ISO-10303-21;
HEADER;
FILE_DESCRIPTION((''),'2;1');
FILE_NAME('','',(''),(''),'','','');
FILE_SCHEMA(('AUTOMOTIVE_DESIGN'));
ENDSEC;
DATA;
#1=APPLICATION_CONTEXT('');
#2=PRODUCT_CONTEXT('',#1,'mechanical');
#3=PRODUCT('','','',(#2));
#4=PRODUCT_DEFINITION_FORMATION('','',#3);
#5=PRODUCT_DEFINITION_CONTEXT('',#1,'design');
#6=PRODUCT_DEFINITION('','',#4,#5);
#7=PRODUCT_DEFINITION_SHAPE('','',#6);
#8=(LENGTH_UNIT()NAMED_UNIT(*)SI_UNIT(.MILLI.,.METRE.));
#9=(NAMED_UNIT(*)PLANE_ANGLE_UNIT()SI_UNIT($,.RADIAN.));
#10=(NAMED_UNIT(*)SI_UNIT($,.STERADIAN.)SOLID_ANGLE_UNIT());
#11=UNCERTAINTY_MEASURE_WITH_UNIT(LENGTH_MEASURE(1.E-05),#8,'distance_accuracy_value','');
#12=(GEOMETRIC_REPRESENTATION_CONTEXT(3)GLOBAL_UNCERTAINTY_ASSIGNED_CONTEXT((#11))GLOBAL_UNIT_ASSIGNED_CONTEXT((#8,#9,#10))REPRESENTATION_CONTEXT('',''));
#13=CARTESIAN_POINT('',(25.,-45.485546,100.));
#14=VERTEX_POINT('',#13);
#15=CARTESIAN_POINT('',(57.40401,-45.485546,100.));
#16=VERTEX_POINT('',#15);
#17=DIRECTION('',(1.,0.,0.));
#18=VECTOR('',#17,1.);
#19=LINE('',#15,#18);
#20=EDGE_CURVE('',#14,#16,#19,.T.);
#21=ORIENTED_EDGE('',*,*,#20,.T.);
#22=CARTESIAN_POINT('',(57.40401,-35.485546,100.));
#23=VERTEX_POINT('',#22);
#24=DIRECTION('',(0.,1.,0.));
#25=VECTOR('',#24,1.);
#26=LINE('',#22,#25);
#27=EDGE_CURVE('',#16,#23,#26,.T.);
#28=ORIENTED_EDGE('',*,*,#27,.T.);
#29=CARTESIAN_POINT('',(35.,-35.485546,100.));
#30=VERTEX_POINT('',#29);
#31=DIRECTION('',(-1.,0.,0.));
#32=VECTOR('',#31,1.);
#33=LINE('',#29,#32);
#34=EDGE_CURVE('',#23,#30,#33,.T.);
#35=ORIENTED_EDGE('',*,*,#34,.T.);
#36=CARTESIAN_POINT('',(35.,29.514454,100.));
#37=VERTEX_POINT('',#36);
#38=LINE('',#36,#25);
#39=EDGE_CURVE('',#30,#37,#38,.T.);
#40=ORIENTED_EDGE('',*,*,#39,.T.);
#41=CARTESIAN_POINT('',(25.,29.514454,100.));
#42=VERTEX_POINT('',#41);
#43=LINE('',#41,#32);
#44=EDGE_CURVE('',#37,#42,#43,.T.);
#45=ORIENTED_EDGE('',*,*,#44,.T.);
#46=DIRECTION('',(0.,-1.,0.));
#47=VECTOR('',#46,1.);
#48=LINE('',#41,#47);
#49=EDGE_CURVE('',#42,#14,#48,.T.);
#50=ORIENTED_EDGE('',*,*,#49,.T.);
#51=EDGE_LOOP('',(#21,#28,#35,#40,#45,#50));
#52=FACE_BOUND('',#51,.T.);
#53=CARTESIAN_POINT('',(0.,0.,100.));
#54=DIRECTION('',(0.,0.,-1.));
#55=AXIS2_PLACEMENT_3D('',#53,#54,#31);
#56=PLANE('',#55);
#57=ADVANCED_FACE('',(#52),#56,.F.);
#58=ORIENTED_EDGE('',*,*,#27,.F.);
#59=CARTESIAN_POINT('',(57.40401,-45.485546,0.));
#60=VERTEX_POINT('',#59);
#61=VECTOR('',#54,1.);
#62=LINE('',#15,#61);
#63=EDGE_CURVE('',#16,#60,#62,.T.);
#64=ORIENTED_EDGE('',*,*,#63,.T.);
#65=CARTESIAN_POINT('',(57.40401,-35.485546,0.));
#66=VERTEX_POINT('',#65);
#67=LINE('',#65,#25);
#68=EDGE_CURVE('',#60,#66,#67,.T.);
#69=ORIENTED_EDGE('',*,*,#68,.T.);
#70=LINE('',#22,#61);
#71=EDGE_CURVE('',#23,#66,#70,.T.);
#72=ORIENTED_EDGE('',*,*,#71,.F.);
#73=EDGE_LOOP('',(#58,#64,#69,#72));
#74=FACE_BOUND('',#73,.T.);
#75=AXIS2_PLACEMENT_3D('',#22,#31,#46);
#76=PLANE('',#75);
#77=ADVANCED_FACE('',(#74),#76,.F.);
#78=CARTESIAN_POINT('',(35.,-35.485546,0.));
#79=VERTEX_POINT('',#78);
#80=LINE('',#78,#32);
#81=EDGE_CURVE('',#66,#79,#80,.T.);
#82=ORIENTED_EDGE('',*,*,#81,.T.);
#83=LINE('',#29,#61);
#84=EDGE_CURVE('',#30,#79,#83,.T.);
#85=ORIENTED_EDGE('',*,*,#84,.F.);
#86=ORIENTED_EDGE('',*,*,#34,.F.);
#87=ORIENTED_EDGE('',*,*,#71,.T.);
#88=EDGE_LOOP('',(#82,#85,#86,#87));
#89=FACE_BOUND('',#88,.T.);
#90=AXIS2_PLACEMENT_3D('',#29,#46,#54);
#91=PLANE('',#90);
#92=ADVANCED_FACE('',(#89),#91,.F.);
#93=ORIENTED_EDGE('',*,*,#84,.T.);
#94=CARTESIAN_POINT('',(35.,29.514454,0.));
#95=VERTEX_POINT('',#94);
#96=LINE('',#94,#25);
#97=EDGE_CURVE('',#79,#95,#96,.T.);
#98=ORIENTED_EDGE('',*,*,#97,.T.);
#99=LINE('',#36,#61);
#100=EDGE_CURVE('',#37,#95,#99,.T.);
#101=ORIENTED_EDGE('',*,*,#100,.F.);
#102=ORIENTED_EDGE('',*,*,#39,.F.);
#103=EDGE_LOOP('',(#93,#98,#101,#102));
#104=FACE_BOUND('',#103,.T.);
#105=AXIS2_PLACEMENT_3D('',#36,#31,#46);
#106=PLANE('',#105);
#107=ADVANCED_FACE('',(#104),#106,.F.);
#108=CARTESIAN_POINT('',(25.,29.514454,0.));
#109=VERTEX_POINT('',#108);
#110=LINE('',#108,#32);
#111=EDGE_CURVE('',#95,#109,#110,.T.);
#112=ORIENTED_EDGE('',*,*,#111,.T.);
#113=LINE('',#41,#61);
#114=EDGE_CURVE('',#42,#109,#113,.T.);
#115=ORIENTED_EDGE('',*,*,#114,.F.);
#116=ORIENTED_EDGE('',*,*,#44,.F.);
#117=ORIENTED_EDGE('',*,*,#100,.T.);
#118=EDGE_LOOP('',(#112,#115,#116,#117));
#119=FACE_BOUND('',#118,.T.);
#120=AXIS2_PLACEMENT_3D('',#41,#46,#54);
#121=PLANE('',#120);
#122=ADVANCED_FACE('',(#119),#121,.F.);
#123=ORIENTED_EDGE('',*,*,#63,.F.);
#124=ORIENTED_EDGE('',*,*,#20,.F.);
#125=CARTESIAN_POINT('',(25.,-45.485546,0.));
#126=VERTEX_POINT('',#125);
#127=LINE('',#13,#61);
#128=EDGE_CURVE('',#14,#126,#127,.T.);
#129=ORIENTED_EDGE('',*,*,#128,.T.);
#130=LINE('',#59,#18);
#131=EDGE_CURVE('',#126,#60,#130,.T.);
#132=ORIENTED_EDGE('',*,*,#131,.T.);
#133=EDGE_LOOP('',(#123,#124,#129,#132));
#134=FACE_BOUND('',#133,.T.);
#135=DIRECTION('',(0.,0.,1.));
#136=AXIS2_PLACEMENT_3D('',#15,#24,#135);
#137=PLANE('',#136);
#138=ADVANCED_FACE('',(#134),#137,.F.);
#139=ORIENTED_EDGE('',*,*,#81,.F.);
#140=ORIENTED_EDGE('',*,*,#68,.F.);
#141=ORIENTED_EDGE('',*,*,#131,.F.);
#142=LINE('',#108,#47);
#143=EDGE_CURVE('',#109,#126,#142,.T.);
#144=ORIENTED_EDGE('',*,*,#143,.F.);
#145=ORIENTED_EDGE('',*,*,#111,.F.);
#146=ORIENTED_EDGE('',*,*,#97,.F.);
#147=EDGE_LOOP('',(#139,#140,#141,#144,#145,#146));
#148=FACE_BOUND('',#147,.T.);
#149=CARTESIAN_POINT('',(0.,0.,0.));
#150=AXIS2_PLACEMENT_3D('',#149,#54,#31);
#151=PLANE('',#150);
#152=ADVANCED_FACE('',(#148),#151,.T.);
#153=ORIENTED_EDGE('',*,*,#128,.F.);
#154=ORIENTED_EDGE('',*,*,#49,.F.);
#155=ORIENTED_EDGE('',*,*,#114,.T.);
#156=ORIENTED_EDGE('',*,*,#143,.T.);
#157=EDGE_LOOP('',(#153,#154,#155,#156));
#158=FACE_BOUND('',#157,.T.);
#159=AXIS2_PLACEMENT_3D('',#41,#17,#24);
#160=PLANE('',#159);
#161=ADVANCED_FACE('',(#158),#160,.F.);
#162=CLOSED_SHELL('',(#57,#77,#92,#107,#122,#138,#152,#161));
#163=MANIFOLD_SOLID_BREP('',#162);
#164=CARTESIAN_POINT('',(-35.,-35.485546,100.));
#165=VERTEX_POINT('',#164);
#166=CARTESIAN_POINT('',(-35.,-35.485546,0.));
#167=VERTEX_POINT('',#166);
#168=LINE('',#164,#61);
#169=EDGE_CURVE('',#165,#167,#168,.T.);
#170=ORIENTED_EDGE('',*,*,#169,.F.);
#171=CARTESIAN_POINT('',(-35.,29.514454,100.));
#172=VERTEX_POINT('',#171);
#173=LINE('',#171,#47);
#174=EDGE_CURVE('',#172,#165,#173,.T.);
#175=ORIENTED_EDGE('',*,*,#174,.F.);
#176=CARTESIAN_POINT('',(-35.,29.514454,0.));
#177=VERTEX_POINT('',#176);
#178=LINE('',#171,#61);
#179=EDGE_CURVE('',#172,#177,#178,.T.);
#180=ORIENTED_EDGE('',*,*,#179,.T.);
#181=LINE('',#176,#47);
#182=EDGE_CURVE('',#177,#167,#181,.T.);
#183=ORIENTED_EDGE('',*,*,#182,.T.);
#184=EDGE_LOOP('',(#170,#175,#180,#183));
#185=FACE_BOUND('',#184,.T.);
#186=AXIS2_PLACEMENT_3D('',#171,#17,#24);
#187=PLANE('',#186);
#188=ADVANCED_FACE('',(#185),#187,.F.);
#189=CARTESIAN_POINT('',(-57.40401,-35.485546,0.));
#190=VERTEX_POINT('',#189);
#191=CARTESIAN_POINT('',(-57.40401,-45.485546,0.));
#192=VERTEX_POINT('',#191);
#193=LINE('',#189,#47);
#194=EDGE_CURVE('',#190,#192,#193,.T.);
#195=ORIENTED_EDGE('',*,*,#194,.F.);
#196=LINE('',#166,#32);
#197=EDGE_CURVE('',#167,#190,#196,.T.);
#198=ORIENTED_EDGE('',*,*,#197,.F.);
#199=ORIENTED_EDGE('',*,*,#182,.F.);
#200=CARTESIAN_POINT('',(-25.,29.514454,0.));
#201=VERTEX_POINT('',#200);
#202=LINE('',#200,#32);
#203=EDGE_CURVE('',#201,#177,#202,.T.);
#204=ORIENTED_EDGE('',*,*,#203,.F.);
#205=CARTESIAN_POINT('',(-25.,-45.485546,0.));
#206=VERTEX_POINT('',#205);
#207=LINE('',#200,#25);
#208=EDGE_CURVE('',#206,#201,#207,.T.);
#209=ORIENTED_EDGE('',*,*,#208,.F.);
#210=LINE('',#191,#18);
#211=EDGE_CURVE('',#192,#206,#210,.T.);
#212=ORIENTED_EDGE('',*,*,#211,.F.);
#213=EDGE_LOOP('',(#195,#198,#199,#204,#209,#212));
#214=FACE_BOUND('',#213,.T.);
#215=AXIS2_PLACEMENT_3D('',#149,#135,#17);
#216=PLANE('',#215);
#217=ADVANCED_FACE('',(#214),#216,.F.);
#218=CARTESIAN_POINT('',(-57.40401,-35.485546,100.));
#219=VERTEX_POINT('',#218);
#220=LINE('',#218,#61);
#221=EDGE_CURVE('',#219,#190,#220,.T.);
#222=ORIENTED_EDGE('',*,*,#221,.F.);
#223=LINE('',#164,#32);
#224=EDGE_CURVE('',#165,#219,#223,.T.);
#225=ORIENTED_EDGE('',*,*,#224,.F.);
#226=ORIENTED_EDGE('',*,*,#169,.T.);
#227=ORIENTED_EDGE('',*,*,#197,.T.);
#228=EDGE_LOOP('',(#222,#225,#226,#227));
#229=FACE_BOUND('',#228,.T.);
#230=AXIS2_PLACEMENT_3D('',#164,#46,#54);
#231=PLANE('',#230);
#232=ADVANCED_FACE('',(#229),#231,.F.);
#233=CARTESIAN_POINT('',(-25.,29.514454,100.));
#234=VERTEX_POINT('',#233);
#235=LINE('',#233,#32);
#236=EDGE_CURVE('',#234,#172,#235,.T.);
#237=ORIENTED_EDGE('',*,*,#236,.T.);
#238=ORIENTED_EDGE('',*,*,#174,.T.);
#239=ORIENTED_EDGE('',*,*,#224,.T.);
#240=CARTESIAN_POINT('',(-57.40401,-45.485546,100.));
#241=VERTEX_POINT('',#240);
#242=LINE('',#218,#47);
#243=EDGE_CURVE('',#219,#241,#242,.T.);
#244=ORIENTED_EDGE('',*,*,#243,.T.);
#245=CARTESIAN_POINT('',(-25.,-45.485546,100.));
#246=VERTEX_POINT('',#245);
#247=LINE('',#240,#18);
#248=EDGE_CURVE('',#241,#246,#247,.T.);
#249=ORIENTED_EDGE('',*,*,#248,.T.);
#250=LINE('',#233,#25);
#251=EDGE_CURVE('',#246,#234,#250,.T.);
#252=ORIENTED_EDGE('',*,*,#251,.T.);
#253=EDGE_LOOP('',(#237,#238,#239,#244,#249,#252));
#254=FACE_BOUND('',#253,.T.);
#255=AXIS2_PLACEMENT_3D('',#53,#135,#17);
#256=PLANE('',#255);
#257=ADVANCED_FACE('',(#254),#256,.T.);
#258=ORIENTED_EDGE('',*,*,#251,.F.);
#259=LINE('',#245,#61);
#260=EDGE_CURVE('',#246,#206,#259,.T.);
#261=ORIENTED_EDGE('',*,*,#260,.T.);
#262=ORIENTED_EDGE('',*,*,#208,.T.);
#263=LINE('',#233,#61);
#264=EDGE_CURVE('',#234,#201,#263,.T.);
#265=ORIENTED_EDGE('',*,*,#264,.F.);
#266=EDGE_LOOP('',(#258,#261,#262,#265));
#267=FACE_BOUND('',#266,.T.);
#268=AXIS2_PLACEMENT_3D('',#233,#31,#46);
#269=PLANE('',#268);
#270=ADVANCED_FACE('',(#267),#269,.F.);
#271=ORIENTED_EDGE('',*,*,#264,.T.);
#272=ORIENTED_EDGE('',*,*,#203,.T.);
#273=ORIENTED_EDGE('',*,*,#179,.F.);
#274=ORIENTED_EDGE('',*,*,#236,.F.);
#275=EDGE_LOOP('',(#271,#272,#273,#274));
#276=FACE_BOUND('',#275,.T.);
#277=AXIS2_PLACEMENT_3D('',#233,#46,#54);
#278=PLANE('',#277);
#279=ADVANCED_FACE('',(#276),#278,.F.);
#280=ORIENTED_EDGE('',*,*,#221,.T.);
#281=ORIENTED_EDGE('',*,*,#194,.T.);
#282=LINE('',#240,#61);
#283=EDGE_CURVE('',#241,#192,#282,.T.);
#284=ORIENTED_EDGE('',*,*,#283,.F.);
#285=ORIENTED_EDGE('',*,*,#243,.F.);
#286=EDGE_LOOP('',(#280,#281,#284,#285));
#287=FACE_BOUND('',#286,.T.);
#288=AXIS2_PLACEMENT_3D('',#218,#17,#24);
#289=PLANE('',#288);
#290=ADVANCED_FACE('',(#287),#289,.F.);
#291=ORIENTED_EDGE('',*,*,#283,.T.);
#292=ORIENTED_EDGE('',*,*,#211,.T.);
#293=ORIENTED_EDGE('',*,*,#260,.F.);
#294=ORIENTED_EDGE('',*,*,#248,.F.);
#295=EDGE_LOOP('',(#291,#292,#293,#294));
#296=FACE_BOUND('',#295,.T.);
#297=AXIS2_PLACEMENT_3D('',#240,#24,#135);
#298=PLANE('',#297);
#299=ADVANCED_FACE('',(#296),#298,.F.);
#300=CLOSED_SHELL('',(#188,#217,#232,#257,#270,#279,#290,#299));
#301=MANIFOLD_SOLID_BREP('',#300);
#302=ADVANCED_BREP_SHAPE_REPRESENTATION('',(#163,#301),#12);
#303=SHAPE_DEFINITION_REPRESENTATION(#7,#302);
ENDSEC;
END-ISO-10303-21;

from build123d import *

# Parameters (mm, degrees)
BOSS_EXTRUDE1_DEPTH   = 100
BOSS_EXTRUDE1_2_DEPTH = 100


with BuildPart() as part:
    # Sketch1 → Boss-Extrude1 (new body)
    with BuildSketch(Plane.XY):
        Polygon((-57.404010399, -45.485546177), (-25, -45.485546177), (-25, 29.514453823), (-35, 29.514453823), (-35, -35.485546177), (-57.404010399, -35.485546177), align=None)
    extrude(amount=BOSS_EXTRUDE1_DEPTH)


with BuildPart() as body_2:
    # Sketch1 → Boss-Extrude1 2 (new body)
    with BuildSketch(Plane.XY):
        Polygon((25, 29.514453823), (35, 29.514453823), (35, -35.485546177), (57.404010399, -35.485546177), (57.404010399, -45.485546177), (25, -45.485546177), align=None)
    extrude(amount=BOSS_EXTRUDE1_2_DEPTH)


solid = Compound([part.part, body_2.part])
